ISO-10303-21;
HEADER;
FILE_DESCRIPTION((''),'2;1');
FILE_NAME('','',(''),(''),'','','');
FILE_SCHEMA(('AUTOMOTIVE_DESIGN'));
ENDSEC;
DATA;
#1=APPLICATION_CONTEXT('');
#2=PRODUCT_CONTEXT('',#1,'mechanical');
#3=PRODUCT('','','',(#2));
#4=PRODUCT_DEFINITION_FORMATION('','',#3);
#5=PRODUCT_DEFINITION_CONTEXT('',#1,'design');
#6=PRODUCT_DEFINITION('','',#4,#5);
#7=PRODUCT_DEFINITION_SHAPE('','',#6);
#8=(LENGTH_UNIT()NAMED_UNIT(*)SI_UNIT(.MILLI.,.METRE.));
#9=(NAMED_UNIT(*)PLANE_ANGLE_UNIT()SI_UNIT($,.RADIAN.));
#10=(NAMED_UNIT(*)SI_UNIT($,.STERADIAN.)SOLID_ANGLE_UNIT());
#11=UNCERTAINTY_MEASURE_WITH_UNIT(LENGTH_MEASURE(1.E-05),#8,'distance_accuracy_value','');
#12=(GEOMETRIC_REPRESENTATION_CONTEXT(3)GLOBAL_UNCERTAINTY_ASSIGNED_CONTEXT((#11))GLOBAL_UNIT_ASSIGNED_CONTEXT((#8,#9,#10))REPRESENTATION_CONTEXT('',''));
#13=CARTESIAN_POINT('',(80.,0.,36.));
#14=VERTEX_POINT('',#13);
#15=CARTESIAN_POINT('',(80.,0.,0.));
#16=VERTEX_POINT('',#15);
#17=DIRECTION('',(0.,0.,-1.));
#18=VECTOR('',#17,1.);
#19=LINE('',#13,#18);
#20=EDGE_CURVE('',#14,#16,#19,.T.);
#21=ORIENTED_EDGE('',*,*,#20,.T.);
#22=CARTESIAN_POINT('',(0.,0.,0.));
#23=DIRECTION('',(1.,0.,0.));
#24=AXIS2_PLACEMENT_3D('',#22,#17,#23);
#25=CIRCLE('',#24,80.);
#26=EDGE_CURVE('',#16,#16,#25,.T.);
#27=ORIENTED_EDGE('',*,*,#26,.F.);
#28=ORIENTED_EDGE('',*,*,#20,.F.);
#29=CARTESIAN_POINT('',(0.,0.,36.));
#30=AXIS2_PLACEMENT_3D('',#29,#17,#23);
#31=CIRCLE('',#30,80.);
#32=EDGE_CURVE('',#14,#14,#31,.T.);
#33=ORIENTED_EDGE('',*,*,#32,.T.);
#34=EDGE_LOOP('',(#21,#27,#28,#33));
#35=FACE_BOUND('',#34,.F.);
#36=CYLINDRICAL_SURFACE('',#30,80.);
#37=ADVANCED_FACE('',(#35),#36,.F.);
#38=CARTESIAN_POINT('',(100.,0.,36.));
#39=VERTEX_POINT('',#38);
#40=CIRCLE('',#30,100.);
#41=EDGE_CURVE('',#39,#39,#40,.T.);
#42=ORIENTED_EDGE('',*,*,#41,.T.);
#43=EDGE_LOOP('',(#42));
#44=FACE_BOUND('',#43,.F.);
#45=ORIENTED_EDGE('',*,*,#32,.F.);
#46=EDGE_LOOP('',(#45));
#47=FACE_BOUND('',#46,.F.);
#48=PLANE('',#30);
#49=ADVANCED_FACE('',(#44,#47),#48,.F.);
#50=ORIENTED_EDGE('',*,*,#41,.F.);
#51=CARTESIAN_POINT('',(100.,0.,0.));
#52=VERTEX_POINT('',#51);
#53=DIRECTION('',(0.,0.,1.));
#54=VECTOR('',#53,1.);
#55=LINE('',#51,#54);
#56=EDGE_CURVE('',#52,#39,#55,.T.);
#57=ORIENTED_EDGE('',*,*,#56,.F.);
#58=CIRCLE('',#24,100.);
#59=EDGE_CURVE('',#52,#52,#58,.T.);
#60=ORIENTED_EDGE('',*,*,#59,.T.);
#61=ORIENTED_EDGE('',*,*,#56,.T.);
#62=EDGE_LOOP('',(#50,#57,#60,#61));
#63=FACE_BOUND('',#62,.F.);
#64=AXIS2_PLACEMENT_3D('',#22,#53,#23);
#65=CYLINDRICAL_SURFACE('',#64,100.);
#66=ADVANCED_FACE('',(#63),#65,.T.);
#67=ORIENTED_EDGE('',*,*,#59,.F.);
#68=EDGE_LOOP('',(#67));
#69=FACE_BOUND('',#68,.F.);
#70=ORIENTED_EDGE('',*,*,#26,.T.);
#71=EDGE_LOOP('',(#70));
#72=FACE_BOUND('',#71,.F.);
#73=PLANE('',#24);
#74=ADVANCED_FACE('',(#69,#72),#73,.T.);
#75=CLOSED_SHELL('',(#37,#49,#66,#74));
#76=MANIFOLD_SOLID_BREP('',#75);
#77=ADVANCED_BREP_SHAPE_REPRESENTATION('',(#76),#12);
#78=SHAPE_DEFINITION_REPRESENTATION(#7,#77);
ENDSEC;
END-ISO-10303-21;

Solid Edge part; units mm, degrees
sketch "Sketch1" plane through (0, 0, 0) normal (0, -1, 0) x (1, 0, 0)
  line L0 (80, 0) -> (100, 0)
  line L1 (100, 0) -> (100, 36)
  line L2 (100, 36) -> (80, 36)
  line L3 (80, 36) -> (80, 0)
  dimension "D1" = 20
  dimension "D2" = 36
  dimension "D3" = 100
revolve "RevolvedProtrusion1" add sketch "Sketch1" angle 360 about axis through (0, 0, 54) along (0, 0, -1)
properties material "Wood, Ash"
